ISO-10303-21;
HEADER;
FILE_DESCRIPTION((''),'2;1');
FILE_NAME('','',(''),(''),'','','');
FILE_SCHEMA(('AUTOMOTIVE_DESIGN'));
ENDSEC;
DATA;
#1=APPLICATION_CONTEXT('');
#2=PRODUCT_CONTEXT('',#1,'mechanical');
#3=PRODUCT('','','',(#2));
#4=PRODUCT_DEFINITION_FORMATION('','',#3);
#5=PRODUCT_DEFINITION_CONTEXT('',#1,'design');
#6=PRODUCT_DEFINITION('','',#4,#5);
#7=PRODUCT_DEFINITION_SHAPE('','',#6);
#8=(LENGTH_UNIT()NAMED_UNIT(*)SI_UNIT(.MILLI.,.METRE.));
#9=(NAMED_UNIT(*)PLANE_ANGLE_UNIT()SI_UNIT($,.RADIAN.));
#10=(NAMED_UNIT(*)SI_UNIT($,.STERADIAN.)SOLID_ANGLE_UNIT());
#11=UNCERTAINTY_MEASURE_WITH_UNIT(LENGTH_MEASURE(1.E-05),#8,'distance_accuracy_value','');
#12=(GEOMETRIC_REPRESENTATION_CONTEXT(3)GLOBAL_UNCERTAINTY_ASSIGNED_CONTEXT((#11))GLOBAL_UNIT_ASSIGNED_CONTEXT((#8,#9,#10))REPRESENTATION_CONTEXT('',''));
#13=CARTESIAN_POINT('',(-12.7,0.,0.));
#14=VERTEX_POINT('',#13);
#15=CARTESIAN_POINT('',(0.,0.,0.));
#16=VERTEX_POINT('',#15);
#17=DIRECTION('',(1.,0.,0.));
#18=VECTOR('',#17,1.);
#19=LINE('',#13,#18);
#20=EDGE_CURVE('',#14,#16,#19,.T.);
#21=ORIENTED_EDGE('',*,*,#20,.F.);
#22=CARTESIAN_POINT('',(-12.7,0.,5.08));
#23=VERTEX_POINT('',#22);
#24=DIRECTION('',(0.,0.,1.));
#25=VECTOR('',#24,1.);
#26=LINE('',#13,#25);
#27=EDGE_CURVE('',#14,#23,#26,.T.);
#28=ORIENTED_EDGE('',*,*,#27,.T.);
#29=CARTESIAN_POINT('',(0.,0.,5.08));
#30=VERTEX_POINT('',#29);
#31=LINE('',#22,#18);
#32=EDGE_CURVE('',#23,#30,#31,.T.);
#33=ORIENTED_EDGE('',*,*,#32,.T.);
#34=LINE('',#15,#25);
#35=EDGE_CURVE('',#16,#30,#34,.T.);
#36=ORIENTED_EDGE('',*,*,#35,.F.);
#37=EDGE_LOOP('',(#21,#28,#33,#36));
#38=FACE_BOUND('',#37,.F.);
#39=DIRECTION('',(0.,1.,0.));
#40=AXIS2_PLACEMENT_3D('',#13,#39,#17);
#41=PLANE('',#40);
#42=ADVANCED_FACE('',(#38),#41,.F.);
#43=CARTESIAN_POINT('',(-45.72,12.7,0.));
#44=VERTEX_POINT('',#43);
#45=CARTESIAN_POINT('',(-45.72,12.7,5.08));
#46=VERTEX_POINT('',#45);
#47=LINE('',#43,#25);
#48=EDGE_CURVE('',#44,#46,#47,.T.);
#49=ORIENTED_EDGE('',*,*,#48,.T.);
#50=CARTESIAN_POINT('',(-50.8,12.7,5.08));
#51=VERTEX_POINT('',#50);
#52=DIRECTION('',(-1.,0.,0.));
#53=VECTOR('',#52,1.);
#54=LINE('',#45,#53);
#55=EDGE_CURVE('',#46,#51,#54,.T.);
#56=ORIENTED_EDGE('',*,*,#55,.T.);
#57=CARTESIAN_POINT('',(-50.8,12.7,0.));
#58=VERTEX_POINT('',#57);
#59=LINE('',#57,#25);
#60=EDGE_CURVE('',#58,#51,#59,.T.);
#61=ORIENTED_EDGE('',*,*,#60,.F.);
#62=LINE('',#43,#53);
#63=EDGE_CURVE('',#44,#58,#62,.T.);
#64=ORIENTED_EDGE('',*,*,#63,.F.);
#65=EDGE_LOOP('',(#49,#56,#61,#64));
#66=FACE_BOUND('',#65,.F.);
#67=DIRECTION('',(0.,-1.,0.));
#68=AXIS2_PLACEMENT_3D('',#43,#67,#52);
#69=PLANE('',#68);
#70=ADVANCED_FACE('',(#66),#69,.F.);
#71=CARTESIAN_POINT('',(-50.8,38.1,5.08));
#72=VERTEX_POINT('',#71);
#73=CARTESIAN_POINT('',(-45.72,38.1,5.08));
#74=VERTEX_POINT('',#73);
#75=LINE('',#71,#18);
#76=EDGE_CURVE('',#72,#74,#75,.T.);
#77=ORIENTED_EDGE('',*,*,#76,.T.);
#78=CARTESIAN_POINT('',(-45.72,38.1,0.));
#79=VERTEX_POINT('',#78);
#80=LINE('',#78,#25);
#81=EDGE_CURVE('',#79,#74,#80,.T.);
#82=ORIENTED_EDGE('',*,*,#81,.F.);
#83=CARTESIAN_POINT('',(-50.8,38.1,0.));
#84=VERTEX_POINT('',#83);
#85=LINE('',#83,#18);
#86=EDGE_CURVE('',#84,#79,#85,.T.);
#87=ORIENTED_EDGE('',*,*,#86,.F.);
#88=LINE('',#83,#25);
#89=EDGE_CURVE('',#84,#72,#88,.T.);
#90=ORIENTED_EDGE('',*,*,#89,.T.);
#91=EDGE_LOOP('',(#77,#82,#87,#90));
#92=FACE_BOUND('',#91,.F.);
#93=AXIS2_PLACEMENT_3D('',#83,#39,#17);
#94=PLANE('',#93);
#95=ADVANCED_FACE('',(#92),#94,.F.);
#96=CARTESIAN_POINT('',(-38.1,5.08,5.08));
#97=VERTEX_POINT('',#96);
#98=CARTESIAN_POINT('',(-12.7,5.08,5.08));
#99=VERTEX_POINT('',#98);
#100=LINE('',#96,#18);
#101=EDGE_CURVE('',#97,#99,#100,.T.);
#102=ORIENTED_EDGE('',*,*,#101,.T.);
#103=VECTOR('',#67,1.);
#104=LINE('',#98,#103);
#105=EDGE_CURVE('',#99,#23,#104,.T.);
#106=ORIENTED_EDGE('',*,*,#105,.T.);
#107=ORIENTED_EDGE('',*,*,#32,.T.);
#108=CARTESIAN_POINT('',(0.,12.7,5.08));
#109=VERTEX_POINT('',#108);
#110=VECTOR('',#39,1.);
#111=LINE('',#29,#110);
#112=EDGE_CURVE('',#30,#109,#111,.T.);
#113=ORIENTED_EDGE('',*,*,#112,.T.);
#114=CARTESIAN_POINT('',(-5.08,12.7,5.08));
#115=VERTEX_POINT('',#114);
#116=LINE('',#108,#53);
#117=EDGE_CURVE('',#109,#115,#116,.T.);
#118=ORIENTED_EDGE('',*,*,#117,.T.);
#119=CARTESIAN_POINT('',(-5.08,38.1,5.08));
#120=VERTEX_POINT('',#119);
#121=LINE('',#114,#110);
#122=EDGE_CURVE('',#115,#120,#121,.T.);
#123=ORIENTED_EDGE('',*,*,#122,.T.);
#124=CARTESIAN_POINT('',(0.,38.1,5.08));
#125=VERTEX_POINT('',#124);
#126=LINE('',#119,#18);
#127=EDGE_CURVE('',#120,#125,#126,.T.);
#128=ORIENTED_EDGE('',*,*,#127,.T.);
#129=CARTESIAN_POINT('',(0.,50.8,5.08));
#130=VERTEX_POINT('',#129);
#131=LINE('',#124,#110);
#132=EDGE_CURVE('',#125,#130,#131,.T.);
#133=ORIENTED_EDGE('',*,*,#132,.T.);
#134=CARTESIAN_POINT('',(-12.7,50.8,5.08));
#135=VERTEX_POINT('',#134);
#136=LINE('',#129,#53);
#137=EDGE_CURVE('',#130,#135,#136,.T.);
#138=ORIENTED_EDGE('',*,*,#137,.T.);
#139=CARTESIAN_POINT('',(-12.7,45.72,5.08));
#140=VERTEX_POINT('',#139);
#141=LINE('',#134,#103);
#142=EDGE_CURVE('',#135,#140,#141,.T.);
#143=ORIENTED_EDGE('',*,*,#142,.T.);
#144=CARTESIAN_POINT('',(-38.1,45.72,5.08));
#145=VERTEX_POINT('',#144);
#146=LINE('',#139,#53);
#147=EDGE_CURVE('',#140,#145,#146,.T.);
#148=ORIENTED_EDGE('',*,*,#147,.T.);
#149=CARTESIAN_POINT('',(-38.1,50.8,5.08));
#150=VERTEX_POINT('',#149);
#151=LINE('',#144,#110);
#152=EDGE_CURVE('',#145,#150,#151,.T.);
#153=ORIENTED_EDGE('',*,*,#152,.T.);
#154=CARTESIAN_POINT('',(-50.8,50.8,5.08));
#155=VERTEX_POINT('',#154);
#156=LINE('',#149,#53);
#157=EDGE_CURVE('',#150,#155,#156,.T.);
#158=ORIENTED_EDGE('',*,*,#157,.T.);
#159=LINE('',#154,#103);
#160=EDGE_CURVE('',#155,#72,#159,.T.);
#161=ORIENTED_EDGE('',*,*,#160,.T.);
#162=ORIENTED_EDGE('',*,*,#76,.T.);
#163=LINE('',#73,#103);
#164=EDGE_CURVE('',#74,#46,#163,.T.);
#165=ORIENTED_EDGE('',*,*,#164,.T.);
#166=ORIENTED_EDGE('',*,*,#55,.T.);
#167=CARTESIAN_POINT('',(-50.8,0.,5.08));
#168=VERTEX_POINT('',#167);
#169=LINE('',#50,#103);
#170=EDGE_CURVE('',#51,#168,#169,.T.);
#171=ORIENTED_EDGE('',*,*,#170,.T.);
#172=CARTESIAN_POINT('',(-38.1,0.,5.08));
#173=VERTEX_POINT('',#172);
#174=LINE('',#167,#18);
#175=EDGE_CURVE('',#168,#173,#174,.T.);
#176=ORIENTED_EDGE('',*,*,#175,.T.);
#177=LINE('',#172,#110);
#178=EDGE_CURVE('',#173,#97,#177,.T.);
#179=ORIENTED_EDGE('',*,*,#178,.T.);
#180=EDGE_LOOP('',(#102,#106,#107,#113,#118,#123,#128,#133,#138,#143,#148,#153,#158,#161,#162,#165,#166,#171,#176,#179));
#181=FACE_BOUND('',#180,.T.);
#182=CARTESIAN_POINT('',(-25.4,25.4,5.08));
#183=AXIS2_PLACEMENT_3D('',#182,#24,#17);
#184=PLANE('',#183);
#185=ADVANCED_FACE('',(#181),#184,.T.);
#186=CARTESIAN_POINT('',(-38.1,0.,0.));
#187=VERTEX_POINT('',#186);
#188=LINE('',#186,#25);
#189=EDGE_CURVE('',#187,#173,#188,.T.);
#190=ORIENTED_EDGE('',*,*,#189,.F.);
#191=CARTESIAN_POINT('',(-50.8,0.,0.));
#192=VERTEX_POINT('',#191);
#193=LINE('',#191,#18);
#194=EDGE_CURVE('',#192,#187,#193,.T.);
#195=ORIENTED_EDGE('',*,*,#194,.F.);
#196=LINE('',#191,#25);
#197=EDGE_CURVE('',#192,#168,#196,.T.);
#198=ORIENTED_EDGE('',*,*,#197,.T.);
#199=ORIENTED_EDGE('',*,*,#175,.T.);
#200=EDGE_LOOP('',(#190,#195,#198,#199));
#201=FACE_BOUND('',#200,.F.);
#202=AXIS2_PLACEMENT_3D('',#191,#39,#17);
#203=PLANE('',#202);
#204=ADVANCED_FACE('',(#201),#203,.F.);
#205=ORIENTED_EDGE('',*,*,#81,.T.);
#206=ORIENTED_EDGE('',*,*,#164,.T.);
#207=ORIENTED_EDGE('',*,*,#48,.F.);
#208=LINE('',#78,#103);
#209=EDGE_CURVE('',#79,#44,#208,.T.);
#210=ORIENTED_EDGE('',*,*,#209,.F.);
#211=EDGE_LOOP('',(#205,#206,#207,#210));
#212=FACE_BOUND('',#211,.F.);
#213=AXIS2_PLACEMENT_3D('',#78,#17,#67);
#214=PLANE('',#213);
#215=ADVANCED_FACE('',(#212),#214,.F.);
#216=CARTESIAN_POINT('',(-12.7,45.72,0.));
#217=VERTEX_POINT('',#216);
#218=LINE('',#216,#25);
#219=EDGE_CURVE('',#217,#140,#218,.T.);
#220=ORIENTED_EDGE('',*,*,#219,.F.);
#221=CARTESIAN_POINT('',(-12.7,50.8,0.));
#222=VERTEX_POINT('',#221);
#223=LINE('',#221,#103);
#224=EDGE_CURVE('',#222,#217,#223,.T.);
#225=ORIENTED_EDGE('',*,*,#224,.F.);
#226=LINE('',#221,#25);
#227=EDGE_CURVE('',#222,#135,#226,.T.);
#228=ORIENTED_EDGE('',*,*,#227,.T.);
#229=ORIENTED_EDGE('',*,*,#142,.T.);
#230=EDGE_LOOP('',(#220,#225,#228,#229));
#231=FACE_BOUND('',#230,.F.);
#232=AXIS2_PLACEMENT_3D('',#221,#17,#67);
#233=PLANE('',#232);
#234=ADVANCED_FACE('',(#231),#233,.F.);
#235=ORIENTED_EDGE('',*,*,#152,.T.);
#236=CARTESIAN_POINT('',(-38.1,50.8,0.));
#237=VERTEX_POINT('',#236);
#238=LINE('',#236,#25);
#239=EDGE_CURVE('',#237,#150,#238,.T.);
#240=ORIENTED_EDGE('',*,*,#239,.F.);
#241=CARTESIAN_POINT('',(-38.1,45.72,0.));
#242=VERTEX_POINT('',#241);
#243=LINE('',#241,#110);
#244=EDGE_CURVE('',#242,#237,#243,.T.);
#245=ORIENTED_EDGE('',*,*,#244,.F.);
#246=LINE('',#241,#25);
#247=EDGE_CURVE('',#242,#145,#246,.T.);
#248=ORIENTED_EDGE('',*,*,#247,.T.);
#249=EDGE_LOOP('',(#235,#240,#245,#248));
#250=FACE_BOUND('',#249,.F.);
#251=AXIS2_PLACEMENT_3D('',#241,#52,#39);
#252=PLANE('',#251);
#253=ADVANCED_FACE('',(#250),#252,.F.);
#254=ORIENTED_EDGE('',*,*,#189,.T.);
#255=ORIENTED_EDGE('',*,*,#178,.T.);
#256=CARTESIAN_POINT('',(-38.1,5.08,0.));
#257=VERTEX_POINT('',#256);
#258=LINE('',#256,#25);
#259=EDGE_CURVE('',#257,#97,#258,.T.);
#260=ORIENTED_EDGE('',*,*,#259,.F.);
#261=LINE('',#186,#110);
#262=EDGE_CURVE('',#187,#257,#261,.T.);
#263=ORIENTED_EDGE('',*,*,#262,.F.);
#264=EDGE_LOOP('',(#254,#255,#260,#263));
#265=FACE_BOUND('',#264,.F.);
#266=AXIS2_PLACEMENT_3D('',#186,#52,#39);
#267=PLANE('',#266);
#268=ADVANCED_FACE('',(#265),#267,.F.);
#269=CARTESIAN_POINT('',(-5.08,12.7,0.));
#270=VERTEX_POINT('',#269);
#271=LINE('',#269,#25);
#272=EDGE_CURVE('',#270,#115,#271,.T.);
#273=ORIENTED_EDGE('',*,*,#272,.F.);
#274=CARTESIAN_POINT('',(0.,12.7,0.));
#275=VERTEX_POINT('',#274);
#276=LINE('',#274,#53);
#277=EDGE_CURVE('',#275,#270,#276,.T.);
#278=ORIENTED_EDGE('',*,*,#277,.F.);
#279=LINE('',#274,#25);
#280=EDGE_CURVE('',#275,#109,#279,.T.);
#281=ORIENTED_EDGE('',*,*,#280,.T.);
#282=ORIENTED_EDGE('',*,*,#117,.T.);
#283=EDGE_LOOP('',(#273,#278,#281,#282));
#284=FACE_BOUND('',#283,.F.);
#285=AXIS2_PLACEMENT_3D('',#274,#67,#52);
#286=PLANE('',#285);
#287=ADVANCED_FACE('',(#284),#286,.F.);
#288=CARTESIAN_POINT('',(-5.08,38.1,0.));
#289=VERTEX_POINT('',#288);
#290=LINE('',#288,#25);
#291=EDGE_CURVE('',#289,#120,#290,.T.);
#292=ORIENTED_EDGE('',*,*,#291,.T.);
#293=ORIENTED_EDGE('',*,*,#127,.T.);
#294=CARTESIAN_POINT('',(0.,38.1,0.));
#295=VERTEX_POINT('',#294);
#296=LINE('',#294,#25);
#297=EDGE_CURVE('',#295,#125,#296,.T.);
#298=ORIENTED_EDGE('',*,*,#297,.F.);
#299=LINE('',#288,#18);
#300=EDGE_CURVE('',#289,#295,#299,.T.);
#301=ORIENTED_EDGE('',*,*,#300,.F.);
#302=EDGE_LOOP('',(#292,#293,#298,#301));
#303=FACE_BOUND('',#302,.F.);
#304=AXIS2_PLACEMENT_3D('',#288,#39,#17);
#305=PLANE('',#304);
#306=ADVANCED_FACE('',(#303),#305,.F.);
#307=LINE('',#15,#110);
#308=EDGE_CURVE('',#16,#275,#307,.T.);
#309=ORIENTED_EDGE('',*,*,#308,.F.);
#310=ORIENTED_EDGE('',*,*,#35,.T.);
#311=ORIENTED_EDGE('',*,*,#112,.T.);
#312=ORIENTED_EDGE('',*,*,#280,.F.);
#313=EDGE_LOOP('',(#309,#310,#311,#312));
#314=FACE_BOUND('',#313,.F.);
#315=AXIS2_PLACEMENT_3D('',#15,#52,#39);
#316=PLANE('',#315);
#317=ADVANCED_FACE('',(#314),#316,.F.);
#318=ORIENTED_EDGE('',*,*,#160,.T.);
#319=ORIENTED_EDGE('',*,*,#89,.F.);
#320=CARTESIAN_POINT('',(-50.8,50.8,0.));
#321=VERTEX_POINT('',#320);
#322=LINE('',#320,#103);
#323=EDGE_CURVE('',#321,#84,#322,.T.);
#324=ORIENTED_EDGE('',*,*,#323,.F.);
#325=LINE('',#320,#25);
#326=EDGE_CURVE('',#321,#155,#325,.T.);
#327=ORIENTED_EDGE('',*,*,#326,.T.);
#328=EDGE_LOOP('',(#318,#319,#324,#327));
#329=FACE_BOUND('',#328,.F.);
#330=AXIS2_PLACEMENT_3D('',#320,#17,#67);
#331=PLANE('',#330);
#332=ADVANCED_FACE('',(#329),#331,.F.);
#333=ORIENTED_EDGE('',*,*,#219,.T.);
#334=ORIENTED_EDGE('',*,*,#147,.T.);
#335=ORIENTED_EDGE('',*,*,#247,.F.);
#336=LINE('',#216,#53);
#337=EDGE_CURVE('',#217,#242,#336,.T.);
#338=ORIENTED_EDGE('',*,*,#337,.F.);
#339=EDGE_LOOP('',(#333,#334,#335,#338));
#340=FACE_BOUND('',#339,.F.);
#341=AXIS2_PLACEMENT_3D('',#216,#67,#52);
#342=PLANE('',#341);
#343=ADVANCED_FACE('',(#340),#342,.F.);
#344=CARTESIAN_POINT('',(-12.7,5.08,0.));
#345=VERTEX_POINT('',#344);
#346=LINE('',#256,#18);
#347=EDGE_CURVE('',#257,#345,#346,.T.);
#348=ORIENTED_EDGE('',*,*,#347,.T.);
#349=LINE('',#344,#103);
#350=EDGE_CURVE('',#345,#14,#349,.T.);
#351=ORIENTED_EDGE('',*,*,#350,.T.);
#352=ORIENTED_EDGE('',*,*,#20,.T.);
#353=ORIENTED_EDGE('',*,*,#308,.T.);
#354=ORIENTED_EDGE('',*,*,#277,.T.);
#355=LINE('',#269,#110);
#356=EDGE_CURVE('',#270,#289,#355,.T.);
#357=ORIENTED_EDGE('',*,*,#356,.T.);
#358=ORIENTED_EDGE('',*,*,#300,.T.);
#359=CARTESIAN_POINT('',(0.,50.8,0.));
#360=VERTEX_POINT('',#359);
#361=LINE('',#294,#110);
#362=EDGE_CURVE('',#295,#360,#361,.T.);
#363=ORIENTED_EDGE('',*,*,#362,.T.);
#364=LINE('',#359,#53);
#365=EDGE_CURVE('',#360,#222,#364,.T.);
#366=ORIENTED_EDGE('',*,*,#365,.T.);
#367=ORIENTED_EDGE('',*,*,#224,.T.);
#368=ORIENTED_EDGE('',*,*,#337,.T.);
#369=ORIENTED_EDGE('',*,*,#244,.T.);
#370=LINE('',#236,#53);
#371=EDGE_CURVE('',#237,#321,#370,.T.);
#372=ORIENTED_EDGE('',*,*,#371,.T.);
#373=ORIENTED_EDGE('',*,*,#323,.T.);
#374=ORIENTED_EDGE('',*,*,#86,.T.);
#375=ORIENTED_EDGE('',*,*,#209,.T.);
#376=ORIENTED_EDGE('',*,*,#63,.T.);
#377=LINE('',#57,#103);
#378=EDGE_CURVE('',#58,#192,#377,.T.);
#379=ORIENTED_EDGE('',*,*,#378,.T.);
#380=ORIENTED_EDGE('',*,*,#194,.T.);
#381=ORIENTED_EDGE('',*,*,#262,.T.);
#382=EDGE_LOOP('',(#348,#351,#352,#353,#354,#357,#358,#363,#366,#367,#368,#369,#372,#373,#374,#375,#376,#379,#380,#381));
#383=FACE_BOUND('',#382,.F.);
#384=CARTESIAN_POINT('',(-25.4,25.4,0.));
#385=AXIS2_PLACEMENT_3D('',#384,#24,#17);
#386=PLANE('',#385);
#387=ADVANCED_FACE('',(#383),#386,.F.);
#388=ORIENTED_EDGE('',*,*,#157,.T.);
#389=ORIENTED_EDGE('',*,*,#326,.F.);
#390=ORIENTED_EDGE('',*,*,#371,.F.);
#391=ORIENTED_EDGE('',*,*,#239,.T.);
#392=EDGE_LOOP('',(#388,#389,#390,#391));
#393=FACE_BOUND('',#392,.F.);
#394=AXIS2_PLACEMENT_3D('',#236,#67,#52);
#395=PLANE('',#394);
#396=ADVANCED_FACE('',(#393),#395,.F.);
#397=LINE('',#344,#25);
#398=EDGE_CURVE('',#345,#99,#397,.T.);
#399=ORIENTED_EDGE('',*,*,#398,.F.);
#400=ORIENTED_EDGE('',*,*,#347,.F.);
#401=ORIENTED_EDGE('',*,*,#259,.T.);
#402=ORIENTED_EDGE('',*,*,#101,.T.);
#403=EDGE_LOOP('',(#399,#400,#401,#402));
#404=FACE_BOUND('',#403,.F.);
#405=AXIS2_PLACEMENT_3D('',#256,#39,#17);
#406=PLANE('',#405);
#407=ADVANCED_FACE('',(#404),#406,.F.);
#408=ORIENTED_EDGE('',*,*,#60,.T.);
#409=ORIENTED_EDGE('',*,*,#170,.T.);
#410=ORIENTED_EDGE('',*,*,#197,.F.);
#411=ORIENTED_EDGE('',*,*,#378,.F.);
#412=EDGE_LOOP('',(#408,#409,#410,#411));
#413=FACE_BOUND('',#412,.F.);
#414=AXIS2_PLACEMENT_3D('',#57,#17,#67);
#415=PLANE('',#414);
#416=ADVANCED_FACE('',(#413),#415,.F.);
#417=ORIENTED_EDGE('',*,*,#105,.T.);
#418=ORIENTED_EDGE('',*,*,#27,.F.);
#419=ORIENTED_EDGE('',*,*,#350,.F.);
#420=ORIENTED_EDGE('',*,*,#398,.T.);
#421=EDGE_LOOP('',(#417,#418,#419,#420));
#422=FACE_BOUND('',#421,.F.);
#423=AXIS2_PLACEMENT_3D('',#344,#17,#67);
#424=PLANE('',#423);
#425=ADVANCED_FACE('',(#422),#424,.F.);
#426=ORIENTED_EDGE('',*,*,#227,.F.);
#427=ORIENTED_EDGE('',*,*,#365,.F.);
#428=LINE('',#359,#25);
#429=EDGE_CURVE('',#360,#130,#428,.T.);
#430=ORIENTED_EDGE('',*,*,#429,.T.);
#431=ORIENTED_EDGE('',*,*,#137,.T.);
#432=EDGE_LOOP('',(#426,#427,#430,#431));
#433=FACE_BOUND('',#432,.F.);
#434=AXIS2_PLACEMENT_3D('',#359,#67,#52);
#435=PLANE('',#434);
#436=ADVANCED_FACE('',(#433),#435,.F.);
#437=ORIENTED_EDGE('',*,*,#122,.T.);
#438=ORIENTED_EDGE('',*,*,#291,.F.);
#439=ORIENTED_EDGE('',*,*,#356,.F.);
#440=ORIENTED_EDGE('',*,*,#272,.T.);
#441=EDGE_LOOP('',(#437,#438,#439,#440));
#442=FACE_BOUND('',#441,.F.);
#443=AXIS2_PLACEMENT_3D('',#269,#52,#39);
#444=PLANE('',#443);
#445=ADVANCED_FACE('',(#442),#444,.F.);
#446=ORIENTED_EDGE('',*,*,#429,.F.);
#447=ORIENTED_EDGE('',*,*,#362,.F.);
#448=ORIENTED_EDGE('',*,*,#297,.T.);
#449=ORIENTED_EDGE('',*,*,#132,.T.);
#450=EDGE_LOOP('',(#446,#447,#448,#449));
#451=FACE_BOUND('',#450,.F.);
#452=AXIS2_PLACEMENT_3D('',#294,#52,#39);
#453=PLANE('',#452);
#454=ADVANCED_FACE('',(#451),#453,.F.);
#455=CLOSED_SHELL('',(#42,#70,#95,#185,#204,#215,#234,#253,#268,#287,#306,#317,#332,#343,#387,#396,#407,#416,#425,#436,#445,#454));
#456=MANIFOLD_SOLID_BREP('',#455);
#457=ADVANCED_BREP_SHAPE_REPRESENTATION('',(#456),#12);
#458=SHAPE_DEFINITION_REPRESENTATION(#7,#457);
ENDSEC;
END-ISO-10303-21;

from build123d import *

# Parameters (mm, degrees)
F1_DEPTH = 5.08


with BuildPart() as f1:
    # F0 (on Top) → F1 (new body)
    with BuildSketch(Plane.XY):
        Polygon((-12.7, 0), (0, 0), (0, 12.7), (-5.08, 12.7), (-5.08, 38.1), (0, 38.1), (0, 50.8), (-12.7, 50.8), (-12.7, 45.72), (-38.1, 45.72), (-38.1, 50.8), (-50.8, 50.8), (-50.8, 38.1), (-45.72, 38.1), (-45.72, 12.7), (-50.8, 12.7), (-50.8, 0), (-38.1, 0), (-38.1, 5.08), (-12.7, 5.08), align=None)
    extrude(amount=F1_DEPTH)


solid = f1.part
